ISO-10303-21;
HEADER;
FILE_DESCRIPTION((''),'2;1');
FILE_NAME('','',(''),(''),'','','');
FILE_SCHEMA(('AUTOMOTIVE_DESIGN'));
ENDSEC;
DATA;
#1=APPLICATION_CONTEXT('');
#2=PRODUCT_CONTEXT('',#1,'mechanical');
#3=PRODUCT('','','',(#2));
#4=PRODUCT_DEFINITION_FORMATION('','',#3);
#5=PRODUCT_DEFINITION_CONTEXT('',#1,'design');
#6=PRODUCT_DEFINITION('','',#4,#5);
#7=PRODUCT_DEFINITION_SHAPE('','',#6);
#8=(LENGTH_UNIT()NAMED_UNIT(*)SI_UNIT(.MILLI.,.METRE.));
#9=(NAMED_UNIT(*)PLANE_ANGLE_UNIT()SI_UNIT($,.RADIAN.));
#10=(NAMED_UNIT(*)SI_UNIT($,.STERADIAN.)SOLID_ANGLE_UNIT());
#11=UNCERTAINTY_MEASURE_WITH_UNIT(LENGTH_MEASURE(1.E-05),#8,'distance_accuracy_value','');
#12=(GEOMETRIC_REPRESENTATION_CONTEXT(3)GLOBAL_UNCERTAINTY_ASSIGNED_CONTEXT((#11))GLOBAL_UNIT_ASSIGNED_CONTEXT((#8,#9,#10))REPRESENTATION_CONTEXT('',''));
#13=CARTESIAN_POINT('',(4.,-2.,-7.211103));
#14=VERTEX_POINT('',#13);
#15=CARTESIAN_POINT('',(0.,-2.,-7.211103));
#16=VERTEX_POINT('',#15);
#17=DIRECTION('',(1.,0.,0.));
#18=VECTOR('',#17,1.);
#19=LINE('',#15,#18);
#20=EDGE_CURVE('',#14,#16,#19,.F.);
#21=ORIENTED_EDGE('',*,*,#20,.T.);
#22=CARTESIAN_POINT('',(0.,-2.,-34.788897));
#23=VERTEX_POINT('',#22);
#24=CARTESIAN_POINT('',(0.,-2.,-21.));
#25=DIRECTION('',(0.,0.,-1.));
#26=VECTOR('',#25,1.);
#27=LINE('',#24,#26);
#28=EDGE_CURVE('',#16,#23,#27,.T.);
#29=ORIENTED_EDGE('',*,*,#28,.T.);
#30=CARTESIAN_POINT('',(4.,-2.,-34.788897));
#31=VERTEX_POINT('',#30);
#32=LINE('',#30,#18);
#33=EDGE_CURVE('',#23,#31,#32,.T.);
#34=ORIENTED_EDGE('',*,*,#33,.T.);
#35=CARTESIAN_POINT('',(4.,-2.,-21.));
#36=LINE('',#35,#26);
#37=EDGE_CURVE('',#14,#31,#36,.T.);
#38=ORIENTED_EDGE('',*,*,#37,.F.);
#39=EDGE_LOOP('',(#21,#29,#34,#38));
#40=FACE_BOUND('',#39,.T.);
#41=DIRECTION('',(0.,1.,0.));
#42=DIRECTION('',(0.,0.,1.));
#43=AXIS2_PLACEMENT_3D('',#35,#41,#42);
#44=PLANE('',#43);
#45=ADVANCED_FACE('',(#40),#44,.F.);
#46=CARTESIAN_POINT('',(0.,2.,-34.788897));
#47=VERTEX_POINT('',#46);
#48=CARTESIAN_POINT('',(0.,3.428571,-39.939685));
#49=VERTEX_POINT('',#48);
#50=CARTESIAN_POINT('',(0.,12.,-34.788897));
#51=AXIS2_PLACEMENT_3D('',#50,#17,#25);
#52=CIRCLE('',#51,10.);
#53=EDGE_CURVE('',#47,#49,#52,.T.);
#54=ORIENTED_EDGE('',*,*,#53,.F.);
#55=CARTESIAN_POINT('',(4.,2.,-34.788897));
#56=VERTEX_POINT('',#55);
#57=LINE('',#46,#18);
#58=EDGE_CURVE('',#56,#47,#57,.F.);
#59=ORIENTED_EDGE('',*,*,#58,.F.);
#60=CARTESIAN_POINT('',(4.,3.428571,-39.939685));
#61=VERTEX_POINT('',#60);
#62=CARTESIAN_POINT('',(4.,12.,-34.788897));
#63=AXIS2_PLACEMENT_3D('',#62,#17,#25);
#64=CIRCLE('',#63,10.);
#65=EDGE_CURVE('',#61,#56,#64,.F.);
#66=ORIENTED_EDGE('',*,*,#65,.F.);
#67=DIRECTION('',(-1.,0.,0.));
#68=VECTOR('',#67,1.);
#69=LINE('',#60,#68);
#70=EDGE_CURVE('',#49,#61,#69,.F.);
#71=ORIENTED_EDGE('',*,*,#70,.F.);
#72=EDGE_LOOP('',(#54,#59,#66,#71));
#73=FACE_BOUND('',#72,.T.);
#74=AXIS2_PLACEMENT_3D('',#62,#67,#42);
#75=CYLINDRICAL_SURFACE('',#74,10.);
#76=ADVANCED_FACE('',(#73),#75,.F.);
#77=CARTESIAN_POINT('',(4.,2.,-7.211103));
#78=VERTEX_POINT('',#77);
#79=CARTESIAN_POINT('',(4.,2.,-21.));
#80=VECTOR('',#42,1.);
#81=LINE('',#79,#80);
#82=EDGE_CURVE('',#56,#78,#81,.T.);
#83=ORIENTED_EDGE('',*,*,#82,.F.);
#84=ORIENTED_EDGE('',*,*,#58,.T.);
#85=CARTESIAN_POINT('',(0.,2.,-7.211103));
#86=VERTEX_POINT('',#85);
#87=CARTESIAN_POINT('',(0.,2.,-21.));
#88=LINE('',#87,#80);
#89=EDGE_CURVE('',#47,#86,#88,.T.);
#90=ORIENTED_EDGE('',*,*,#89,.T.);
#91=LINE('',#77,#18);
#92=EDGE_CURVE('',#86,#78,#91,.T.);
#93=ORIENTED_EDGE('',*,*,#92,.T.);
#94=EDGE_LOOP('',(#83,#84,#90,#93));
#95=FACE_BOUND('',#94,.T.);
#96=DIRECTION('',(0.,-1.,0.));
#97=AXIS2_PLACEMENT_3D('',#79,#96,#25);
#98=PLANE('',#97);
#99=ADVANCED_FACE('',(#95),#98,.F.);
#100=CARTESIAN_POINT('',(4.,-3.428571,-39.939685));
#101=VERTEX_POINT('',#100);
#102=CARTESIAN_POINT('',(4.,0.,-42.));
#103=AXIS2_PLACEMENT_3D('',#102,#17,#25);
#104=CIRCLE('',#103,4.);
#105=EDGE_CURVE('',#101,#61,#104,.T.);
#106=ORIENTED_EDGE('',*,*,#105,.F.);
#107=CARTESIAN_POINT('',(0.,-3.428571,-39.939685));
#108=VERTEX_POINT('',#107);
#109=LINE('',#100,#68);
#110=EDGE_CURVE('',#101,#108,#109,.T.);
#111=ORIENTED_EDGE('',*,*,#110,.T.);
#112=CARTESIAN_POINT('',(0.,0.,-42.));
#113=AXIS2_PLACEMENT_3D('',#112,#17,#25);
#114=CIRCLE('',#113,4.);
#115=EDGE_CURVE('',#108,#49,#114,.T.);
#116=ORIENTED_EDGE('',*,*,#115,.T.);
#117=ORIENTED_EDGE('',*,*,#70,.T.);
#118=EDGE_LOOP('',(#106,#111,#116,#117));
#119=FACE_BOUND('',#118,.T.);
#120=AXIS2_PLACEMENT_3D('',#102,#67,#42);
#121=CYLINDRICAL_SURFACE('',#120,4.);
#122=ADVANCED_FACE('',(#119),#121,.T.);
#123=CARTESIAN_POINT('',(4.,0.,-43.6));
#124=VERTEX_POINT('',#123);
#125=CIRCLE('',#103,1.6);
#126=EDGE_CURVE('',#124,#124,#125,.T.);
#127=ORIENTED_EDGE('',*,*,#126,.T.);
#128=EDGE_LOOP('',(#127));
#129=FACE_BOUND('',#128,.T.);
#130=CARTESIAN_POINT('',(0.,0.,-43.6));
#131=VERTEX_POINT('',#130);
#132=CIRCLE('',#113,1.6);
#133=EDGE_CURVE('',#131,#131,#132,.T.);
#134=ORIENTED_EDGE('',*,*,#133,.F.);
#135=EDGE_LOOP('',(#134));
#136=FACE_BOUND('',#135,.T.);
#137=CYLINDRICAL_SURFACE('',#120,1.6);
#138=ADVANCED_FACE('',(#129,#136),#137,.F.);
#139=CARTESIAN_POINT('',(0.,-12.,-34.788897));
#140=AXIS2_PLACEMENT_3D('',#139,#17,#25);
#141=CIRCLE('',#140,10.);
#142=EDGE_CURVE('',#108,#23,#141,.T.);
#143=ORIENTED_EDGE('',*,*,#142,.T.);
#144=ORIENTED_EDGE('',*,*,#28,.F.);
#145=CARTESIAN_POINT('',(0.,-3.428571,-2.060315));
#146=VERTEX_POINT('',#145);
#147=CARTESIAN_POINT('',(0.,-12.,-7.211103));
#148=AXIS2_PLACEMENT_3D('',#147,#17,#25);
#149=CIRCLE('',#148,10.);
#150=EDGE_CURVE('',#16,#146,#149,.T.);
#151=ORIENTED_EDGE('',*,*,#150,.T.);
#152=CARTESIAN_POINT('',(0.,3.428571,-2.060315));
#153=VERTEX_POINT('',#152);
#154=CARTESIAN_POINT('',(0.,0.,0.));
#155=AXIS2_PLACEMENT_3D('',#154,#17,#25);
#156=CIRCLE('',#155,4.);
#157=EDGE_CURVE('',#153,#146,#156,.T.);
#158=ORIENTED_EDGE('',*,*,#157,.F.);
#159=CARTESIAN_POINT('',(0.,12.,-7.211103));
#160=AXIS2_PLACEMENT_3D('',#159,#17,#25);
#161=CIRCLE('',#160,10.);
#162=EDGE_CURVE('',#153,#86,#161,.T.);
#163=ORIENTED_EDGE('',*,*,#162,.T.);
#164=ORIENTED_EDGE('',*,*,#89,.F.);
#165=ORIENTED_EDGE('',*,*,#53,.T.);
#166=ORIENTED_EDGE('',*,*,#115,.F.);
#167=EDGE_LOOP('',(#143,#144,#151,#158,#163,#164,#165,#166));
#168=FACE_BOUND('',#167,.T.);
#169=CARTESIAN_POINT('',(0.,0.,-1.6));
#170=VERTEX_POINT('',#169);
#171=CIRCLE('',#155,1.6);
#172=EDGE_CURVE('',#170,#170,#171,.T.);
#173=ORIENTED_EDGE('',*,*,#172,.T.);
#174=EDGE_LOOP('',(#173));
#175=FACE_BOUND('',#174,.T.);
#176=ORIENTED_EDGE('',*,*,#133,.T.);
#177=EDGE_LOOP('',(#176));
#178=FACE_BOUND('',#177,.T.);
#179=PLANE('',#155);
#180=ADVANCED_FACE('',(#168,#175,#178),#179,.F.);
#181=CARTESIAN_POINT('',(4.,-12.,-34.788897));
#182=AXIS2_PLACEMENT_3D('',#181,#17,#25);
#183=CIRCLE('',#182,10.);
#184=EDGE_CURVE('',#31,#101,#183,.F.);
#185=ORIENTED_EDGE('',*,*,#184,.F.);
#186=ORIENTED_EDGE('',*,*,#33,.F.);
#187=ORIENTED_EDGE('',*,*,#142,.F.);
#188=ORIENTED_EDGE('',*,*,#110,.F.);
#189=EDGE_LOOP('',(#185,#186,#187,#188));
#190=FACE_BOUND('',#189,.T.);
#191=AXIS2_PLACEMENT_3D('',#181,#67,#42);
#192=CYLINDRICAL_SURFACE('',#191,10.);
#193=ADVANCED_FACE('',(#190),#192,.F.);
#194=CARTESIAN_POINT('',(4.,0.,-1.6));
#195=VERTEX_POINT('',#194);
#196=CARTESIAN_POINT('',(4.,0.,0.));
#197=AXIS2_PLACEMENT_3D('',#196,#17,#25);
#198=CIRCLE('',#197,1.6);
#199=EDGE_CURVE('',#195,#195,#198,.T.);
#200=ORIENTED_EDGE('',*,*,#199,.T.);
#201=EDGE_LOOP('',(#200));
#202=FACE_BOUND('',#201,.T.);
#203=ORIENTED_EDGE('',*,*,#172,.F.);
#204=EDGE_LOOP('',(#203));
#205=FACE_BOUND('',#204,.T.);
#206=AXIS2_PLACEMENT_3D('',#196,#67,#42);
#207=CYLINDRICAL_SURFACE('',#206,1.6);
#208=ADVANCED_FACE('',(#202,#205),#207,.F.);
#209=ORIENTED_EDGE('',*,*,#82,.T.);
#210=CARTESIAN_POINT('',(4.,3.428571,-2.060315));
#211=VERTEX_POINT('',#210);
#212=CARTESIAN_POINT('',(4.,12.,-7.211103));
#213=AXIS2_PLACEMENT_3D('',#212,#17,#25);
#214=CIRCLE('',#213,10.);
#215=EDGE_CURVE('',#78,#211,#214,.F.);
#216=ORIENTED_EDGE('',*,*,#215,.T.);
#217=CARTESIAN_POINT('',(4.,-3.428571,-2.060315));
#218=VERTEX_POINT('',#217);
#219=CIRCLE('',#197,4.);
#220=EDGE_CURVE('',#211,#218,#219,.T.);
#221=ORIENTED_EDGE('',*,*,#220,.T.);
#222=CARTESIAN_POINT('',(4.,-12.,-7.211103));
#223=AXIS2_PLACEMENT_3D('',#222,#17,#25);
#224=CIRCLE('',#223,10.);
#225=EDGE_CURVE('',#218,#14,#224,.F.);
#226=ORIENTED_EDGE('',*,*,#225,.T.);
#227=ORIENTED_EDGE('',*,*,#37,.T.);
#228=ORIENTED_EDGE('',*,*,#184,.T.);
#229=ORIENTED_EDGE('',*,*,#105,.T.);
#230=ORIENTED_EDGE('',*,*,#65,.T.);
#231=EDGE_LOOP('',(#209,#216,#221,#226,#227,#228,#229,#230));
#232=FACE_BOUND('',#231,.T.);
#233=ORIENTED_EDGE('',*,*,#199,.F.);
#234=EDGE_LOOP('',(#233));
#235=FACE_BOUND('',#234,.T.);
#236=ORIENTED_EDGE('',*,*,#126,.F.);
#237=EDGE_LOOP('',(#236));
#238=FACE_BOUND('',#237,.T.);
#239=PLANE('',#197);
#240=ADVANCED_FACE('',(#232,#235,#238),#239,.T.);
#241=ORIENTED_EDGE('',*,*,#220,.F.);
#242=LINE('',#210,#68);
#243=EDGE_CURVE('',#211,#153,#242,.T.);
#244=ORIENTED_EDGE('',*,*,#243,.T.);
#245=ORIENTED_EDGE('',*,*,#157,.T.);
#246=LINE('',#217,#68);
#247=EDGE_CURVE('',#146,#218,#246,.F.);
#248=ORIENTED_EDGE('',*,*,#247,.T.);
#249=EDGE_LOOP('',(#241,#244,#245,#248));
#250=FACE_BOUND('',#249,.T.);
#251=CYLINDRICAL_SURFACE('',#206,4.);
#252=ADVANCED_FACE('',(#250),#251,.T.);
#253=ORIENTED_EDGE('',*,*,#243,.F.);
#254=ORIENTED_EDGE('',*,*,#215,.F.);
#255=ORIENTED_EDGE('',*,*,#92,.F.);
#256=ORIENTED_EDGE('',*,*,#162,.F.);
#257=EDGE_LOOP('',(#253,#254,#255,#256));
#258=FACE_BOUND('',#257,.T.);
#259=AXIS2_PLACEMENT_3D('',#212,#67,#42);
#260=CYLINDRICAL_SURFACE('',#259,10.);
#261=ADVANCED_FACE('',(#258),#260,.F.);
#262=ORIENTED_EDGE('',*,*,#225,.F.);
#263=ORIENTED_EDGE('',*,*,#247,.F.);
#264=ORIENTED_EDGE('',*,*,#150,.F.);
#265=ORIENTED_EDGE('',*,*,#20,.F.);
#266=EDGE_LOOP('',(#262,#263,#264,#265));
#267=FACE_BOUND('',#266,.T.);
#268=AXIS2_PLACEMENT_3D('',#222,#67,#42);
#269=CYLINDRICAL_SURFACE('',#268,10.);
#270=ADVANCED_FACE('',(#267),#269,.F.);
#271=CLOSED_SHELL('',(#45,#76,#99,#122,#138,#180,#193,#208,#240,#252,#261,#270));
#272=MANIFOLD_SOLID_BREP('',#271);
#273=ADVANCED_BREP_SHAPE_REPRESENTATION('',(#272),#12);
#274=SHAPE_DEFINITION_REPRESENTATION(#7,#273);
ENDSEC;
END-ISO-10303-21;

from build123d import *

# Parameters (mm, degrees)
SKETCH1_R           = 1.6
BOSS_EXTRUDE1_DEPTH = 4
FILLET1_R           = 10


with BuildPart() as part:
    # Sketch1 → Boss-Extrude1 (new body)
    with BuildSketch(Plane(origin=(0, 0, 0), x_dir=(0, 0, -1), z_dir=(1, 0, 0))):
        with BuildLine():
            Line((21, 2), (38.535898385, 2))
            ThreePointArc((38.535898385, 2), (46, 0), (38.535898385, -2))
            Line((38.535898385, -2), (21, -2))
            Line((21, -2), (3.464101615, -2))
            ThreePointArc((3.464101615, -2), (-4, 0), (3.464101615, 2))
            Line((3.464101615, 2), (21, 2))
        make_face()
        Circle(SKETCH1_R, mode=Mode.SUBTRACT)
        with Locations((42, 0)):
            Circle(SKETCH1_R, mode=Mode.SUBTRACT)
    extrude(amount=BOSS_EXTRUDE1_DEPTH)

    # Fillet1
    fillet1_edges = [part.edges().sort_by_distance(p)[0] for p in [
        (2, 2, -38.535898385),
        (2, -2, -38.535898385),
        (2, -2, -3.464101615),
        (2, 2, -3.464101615),
    ]]
    fillet(fillet1_edges, radius=FILLET1_R)


solid = part.part
